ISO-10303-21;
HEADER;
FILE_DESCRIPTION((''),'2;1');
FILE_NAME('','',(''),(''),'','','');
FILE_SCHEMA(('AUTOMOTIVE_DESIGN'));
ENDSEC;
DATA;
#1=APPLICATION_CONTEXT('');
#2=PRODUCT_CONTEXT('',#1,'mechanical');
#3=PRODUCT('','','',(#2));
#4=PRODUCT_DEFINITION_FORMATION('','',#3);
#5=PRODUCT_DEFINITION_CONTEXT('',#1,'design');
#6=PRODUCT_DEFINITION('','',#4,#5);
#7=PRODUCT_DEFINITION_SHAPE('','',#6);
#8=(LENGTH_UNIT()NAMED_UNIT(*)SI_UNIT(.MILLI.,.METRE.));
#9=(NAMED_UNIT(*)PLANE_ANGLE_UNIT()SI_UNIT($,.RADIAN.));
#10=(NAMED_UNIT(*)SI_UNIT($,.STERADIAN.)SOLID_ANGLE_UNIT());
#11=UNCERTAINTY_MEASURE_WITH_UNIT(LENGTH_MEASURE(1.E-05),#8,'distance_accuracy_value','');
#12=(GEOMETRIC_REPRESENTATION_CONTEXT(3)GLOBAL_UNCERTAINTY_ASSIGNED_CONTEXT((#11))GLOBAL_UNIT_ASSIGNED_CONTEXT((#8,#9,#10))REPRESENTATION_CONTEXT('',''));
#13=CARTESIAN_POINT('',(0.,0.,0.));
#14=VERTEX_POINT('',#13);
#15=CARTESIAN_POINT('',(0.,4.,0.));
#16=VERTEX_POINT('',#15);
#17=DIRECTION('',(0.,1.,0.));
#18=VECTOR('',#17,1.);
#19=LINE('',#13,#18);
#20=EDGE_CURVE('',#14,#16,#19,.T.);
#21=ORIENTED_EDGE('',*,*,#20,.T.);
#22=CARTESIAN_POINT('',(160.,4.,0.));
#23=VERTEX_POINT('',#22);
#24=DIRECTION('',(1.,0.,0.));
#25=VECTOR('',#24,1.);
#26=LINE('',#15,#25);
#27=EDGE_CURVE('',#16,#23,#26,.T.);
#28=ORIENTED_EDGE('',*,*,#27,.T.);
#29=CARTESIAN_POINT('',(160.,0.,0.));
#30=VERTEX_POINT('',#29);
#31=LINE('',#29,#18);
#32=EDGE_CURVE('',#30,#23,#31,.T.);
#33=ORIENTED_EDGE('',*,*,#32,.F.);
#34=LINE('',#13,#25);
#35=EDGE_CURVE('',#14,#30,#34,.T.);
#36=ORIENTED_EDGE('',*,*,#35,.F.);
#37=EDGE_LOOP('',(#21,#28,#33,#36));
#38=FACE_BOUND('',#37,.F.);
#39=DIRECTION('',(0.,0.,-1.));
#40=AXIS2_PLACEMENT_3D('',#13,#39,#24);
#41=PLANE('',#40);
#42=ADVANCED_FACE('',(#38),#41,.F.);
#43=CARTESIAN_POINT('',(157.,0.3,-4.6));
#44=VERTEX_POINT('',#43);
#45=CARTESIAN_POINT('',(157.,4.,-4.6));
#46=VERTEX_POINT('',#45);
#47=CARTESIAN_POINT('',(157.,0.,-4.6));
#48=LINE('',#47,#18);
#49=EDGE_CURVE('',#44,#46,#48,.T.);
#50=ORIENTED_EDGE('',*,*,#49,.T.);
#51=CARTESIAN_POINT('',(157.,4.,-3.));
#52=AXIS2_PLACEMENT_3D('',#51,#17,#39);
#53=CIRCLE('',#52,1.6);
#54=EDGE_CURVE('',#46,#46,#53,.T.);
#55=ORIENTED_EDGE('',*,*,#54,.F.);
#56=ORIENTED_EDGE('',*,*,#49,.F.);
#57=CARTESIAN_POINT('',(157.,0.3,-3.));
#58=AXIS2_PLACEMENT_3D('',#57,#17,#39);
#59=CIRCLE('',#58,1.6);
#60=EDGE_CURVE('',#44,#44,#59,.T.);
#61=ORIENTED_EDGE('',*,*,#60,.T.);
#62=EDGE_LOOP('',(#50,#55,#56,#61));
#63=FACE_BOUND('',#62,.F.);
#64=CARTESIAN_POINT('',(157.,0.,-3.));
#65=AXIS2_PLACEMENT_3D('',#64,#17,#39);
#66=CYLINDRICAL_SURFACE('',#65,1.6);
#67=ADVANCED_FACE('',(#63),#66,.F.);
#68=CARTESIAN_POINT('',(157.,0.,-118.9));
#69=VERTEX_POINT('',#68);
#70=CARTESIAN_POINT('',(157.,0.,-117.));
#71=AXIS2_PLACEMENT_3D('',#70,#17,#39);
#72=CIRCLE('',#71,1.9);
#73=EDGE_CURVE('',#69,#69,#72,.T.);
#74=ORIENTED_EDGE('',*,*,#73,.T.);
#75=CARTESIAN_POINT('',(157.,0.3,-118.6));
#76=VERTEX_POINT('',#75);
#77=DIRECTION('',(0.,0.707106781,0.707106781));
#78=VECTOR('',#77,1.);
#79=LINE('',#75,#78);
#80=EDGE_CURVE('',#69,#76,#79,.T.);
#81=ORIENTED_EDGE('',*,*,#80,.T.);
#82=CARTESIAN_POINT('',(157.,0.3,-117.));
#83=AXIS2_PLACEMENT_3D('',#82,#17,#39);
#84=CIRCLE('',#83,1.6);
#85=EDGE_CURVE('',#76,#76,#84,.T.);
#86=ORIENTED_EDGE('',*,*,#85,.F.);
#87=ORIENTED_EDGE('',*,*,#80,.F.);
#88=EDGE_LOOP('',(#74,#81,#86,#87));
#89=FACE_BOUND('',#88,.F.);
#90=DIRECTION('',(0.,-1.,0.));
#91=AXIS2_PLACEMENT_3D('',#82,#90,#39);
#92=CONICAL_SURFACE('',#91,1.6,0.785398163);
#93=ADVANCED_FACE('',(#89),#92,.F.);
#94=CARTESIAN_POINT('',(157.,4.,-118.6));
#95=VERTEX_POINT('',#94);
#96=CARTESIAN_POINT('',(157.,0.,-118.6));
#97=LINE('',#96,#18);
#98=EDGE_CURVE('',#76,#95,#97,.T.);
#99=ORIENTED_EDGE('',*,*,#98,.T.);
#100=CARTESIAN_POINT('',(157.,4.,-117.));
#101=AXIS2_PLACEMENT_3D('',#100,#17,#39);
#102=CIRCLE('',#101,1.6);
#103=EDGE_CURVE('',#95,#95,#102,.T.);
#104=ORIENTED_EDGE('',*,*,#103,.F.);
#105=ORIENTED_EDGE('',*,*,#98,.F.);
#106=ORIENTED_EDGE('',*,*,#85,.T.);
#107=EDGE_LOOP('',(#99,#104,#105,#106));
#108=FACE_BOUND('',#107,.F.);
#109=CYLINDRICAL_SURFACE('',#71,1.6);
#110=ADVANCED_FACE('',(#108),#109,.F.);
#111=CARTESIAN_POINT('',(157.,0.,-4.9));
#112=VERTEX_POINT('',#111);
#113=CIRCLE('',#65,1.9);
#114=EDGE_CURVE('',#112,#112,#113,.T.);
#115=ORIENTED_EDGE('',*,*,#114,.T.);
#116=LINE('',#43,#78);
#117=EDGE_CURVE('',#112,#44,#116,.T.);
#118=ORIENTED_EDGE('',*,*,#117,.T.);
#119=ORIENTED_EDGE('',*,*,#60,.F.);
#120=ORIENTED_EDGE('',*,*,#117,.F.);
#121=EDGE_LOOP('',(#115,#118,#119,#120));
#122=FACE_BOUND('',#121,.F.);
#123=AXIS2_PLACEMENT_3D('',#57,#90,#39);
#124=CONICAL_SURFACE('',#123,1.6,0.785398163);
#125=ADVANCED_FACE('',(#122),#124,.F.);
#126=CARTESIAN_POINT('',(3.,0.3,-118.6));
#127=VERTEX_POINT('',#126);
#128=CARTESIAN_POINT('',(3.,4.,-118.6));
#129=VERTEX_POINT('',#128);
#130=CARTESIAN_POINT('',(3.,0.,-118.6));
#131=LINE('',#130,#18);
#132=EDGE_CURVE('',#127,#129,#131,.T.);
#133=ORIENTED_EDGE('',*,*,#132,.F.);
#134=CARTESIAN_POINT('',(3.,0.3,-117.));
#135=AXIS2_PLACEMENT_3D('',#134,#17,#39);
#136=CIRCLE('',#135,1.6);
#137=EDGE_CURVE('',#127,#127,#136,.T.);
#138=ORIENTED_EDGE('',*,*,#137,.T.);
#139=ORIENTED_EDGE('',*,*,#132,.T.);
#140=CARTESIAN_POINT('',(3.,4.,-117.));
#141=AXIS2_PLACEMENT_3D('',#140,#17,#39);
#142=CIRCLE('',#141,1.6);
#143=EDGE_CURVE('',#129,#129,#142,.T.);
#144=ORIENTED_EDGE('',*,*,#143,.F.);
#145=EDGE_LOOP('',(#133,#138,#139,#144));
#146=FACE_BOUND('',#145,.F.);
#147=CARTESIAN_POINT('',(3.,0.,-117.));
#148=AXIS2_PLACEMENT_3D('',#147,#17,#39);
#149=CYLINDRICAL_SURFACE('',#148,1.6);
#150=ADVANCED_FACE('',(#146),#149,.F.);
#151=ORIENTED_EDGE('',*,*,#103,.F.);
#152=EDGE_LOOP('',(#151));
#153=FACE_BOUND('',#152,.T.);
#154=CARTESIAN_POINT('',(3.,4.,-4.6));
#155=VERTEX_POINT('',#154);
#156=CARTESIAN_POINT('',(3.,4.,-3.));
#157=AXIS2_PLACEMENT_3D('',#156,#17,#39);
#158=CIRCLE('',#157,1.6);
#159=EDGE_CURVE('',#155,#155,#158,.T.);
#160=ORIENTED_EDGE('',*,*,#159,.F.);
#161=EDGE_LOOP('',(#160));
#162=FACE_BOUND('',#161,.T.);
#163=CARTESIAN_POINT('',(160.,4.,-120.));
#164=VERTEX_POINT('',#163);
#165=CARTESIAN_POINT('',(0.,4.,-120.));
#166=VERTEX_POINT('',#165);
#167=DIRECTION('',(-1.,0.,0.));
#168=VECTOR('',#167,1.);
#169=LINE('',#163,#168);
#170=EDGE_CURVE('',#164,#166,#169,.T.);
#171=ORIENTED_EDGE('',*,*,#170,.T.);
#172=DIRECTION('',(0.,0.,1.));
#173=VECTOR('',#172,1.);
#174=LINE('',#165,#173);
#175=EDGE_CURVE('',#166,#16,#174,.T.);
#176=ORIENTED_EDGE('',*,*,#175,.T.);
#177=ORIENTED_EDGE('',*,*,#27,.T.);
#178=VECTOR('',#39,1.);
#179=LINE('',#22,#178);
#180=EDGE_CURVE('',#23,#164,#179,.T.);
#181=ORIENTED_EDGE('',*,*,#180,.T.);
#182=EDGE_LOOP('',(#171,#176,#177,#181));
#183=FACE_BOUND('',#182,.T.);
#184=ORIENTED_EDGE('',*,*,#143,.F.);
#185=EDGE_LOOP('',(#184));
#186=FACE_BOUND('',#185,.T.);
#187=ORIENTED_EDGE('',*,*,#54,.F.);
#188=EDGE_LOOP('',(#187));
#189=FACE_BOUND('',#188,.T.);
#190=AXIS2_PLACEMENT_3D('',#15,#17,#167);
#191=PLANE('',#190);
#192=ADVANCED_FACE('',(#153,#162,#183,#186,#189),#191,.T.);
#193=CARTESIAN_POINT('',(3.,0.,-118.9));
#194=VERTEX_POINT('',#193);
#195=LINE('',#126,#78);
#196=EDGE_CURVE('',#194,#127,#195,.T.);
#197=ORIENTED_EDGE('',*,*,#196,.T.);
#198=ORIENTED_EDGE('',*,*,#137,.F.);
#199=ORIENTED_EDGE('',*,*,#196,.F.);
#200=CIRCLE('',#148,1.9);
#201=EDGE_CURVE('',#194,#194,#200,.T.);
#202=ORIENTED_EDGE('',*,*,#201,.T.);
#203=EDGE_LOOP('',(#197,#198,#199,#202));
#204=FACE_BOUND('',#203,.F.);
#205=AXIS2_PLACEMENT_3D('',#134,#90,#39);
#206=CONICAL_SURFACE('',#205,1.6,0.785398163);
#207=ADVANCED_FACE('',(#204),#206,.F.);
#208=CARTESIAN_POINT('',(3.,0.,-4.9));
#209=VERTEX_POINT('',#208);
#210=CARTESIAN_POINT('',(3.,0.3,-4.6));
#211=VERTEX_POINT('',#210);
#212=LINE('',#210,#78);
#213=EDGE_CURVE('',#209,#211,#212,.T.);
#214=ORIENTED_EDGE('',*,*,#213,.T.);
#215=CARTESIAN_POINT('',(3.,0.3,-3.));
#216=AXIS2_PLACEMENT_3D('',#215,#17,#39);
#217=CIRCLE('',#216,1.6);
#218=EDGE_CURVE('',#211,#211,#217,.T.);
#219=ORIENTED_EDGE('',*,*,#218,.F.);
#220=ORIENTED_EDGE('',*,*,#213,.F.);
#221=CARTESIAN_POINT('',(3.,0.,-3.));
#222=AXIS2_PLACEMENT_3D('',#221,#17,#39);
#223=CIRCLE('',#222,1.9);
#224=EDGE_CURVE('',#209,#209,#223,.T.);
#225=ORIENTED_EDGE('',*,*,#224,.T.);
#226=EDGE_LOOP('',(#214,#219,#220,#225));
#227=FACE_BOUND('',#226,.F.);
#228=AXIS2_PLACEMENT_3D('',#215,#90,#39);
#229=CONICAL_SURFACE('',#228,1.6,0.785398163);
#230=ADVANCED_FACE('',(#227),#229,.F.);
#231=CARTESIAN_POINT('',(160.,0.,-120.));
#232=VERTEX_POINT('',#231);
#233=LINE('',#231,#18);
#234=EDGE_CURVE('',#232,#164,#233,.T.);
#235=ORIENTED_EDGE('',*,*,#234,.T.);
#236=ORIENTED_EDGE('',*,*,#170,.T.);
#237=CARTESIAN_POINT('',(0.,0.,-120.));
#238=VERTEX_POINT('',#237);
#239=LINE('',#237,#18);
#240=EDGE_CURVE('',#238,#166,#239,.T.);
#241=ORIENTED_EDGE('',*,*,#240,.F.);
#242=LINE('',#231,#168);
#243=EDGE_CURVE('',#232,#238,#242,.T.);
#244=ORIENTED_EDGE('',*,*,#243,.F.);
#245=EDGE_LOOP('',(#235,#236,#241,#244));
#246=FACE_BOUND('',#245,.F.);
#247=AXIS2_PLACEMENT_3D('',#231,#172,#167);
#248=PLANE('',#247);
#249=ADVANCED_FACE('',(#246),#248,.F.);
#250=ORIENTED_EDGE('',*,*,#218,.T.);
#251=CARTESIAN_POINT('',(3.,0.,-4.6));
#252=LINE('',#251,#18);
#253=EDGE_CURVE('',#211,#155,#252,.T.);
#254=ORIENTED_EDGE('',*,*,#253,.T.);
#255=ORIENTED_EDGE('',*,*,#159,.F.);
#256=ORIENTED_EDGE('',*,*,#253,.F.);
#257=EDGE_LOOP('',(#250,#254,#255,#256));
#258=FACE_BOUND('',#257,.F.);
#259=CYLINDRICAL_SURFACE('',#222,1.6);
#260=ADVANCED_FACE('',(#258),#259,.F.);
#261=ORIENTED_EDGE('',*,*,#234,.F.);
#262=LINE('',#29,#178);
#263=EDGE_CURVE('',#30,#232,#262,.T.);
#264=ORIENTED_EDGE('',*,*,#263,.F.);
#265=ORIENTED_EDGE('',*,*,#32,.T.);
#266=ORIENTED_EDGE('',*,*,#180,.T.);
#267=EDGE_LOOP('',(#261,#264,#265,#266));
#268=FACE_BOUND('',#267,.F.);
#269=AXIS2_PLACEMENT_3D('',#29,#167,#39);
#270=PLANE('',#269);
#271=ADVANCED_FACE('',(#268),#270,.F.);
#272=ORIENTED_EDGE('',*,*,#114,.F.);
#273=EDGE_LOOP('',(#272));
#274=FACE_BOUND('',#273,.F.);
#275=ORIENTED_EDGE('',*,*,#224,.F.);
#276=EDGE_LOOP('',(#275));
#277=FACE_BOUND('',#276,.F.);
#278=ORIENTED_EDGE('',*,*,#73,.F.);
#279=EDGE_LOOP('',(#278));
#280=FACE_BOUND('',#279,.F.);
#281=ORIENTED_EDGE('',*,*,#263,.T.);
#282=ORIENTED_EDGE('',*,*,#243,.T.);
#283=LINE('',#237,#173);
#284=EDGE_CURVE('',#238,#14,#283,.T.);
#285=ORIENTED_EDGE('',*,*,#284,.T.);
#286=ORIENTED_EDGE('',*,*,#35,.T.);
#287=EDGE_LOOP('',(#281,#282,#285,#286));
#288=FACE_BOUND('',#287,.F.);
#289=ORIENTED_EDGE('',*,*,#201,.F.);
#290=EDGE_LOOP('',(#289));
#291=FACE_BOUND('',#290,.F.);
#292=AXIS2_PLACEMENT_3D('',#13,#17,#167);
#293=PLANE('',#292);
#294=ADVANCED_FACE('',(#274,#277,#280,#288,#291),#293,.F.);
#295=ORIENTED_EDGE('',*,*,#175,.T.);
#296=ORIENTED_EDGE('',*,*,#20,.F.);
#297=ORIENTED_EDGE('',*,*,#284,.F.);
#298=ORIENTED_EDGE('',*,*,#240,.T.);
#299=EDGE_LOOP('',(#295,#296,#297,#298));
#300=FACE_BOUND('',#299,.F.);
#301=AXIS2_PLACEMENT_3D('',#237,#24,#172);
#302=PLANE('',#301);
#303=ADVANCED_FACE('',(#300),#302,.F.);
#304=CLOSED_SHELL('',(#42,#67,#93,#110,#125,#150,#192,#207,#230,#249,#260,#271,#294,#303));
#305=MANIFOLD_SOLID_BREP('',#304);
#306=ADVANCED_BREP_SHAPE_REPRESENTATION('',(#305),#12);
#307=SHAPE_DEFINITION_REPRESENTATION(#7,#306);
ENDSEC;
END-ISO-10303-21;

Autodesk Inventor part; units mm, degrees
ref_plane "YZ Plane" through (0, 0, 0) normal (1, 0, 0) x (0, 1, 0)
ref_plane "XZ Plane" through (0, 0, 0) normal (0, 1, 0) x (-1, 0, 0)
ref_plane "XY Plane" through (0, 0, 0) normal (0, 0, 1) x (1, 0, 0)
sketch "Sketch1" plane through (0, 0, 0) normal (0, 1, 0) x (-1, 0, 0)
  line L0 (0, 0) -> (-160, 0)
  line L1 (-160, 0) -> (-160, -120)
  line L2 (-160, -120) -> (0, -120)
  line L3 (0, -120) -> (0, 0)
  dimension "d0" = 160
  dimension "d1" = 120
extrude "Extrusion1" add sketch "Sketch1" along normal blind 4
sketch "Sketch2" plane through (0, 0, 0) normal (0, -1, 0) x (1, 0, 0)
  line L0 (157, -3) -> (3, -3) construction
  line L1 (3, -3) -> (3, -117) construction
  line L2 (3, -117) -> (157, -117) construction
  line L3 (157, -117) -> (157, -3) construction
  line L4 (0, 0) -> (160, 0) construction
  line L5 (160, -120) -> (0, -120) construction
  line L6 (160, 0) -> (160, -120) construction
  line L7 (0, -120) -> (0, 0) construction
  circle A0 centre (157, -3) radius 1 construction
  circle A1 centre (157, -117) radius 1 construction
  circle A2 centre (3, -117) radius 1 construction
  circle A3 centre (3, -3) radius 1 construction
  dimension "d4" = 3
  dimension "d5" = 3
  dimension "d6" = 3
  dimension "d7" = 3
  dimension "d8" = 2
  dimension "d9" = 2
  dimension "d10" = 2
  dimension "d11" = 2
hole "Hole1" at (3, 0, -3) at (3, 0, -117) at (157, 0, -117) at (157, 0, -3) direction (0, 1, 0) diameter 3.2 depth 7.2 tip angle 118
chamfer "Chamfer1" distance 0.3 angle 45 4 edges at (157, 0, -115.4) (3, 0, -115.4) (157, 0, -1.4) (3, 0, -1.4)
equation "\"d4\" = d5"
equation "\"d6\" = d5"
equation "\"d7\" = d5"
properties part number "plyta-dolna"
